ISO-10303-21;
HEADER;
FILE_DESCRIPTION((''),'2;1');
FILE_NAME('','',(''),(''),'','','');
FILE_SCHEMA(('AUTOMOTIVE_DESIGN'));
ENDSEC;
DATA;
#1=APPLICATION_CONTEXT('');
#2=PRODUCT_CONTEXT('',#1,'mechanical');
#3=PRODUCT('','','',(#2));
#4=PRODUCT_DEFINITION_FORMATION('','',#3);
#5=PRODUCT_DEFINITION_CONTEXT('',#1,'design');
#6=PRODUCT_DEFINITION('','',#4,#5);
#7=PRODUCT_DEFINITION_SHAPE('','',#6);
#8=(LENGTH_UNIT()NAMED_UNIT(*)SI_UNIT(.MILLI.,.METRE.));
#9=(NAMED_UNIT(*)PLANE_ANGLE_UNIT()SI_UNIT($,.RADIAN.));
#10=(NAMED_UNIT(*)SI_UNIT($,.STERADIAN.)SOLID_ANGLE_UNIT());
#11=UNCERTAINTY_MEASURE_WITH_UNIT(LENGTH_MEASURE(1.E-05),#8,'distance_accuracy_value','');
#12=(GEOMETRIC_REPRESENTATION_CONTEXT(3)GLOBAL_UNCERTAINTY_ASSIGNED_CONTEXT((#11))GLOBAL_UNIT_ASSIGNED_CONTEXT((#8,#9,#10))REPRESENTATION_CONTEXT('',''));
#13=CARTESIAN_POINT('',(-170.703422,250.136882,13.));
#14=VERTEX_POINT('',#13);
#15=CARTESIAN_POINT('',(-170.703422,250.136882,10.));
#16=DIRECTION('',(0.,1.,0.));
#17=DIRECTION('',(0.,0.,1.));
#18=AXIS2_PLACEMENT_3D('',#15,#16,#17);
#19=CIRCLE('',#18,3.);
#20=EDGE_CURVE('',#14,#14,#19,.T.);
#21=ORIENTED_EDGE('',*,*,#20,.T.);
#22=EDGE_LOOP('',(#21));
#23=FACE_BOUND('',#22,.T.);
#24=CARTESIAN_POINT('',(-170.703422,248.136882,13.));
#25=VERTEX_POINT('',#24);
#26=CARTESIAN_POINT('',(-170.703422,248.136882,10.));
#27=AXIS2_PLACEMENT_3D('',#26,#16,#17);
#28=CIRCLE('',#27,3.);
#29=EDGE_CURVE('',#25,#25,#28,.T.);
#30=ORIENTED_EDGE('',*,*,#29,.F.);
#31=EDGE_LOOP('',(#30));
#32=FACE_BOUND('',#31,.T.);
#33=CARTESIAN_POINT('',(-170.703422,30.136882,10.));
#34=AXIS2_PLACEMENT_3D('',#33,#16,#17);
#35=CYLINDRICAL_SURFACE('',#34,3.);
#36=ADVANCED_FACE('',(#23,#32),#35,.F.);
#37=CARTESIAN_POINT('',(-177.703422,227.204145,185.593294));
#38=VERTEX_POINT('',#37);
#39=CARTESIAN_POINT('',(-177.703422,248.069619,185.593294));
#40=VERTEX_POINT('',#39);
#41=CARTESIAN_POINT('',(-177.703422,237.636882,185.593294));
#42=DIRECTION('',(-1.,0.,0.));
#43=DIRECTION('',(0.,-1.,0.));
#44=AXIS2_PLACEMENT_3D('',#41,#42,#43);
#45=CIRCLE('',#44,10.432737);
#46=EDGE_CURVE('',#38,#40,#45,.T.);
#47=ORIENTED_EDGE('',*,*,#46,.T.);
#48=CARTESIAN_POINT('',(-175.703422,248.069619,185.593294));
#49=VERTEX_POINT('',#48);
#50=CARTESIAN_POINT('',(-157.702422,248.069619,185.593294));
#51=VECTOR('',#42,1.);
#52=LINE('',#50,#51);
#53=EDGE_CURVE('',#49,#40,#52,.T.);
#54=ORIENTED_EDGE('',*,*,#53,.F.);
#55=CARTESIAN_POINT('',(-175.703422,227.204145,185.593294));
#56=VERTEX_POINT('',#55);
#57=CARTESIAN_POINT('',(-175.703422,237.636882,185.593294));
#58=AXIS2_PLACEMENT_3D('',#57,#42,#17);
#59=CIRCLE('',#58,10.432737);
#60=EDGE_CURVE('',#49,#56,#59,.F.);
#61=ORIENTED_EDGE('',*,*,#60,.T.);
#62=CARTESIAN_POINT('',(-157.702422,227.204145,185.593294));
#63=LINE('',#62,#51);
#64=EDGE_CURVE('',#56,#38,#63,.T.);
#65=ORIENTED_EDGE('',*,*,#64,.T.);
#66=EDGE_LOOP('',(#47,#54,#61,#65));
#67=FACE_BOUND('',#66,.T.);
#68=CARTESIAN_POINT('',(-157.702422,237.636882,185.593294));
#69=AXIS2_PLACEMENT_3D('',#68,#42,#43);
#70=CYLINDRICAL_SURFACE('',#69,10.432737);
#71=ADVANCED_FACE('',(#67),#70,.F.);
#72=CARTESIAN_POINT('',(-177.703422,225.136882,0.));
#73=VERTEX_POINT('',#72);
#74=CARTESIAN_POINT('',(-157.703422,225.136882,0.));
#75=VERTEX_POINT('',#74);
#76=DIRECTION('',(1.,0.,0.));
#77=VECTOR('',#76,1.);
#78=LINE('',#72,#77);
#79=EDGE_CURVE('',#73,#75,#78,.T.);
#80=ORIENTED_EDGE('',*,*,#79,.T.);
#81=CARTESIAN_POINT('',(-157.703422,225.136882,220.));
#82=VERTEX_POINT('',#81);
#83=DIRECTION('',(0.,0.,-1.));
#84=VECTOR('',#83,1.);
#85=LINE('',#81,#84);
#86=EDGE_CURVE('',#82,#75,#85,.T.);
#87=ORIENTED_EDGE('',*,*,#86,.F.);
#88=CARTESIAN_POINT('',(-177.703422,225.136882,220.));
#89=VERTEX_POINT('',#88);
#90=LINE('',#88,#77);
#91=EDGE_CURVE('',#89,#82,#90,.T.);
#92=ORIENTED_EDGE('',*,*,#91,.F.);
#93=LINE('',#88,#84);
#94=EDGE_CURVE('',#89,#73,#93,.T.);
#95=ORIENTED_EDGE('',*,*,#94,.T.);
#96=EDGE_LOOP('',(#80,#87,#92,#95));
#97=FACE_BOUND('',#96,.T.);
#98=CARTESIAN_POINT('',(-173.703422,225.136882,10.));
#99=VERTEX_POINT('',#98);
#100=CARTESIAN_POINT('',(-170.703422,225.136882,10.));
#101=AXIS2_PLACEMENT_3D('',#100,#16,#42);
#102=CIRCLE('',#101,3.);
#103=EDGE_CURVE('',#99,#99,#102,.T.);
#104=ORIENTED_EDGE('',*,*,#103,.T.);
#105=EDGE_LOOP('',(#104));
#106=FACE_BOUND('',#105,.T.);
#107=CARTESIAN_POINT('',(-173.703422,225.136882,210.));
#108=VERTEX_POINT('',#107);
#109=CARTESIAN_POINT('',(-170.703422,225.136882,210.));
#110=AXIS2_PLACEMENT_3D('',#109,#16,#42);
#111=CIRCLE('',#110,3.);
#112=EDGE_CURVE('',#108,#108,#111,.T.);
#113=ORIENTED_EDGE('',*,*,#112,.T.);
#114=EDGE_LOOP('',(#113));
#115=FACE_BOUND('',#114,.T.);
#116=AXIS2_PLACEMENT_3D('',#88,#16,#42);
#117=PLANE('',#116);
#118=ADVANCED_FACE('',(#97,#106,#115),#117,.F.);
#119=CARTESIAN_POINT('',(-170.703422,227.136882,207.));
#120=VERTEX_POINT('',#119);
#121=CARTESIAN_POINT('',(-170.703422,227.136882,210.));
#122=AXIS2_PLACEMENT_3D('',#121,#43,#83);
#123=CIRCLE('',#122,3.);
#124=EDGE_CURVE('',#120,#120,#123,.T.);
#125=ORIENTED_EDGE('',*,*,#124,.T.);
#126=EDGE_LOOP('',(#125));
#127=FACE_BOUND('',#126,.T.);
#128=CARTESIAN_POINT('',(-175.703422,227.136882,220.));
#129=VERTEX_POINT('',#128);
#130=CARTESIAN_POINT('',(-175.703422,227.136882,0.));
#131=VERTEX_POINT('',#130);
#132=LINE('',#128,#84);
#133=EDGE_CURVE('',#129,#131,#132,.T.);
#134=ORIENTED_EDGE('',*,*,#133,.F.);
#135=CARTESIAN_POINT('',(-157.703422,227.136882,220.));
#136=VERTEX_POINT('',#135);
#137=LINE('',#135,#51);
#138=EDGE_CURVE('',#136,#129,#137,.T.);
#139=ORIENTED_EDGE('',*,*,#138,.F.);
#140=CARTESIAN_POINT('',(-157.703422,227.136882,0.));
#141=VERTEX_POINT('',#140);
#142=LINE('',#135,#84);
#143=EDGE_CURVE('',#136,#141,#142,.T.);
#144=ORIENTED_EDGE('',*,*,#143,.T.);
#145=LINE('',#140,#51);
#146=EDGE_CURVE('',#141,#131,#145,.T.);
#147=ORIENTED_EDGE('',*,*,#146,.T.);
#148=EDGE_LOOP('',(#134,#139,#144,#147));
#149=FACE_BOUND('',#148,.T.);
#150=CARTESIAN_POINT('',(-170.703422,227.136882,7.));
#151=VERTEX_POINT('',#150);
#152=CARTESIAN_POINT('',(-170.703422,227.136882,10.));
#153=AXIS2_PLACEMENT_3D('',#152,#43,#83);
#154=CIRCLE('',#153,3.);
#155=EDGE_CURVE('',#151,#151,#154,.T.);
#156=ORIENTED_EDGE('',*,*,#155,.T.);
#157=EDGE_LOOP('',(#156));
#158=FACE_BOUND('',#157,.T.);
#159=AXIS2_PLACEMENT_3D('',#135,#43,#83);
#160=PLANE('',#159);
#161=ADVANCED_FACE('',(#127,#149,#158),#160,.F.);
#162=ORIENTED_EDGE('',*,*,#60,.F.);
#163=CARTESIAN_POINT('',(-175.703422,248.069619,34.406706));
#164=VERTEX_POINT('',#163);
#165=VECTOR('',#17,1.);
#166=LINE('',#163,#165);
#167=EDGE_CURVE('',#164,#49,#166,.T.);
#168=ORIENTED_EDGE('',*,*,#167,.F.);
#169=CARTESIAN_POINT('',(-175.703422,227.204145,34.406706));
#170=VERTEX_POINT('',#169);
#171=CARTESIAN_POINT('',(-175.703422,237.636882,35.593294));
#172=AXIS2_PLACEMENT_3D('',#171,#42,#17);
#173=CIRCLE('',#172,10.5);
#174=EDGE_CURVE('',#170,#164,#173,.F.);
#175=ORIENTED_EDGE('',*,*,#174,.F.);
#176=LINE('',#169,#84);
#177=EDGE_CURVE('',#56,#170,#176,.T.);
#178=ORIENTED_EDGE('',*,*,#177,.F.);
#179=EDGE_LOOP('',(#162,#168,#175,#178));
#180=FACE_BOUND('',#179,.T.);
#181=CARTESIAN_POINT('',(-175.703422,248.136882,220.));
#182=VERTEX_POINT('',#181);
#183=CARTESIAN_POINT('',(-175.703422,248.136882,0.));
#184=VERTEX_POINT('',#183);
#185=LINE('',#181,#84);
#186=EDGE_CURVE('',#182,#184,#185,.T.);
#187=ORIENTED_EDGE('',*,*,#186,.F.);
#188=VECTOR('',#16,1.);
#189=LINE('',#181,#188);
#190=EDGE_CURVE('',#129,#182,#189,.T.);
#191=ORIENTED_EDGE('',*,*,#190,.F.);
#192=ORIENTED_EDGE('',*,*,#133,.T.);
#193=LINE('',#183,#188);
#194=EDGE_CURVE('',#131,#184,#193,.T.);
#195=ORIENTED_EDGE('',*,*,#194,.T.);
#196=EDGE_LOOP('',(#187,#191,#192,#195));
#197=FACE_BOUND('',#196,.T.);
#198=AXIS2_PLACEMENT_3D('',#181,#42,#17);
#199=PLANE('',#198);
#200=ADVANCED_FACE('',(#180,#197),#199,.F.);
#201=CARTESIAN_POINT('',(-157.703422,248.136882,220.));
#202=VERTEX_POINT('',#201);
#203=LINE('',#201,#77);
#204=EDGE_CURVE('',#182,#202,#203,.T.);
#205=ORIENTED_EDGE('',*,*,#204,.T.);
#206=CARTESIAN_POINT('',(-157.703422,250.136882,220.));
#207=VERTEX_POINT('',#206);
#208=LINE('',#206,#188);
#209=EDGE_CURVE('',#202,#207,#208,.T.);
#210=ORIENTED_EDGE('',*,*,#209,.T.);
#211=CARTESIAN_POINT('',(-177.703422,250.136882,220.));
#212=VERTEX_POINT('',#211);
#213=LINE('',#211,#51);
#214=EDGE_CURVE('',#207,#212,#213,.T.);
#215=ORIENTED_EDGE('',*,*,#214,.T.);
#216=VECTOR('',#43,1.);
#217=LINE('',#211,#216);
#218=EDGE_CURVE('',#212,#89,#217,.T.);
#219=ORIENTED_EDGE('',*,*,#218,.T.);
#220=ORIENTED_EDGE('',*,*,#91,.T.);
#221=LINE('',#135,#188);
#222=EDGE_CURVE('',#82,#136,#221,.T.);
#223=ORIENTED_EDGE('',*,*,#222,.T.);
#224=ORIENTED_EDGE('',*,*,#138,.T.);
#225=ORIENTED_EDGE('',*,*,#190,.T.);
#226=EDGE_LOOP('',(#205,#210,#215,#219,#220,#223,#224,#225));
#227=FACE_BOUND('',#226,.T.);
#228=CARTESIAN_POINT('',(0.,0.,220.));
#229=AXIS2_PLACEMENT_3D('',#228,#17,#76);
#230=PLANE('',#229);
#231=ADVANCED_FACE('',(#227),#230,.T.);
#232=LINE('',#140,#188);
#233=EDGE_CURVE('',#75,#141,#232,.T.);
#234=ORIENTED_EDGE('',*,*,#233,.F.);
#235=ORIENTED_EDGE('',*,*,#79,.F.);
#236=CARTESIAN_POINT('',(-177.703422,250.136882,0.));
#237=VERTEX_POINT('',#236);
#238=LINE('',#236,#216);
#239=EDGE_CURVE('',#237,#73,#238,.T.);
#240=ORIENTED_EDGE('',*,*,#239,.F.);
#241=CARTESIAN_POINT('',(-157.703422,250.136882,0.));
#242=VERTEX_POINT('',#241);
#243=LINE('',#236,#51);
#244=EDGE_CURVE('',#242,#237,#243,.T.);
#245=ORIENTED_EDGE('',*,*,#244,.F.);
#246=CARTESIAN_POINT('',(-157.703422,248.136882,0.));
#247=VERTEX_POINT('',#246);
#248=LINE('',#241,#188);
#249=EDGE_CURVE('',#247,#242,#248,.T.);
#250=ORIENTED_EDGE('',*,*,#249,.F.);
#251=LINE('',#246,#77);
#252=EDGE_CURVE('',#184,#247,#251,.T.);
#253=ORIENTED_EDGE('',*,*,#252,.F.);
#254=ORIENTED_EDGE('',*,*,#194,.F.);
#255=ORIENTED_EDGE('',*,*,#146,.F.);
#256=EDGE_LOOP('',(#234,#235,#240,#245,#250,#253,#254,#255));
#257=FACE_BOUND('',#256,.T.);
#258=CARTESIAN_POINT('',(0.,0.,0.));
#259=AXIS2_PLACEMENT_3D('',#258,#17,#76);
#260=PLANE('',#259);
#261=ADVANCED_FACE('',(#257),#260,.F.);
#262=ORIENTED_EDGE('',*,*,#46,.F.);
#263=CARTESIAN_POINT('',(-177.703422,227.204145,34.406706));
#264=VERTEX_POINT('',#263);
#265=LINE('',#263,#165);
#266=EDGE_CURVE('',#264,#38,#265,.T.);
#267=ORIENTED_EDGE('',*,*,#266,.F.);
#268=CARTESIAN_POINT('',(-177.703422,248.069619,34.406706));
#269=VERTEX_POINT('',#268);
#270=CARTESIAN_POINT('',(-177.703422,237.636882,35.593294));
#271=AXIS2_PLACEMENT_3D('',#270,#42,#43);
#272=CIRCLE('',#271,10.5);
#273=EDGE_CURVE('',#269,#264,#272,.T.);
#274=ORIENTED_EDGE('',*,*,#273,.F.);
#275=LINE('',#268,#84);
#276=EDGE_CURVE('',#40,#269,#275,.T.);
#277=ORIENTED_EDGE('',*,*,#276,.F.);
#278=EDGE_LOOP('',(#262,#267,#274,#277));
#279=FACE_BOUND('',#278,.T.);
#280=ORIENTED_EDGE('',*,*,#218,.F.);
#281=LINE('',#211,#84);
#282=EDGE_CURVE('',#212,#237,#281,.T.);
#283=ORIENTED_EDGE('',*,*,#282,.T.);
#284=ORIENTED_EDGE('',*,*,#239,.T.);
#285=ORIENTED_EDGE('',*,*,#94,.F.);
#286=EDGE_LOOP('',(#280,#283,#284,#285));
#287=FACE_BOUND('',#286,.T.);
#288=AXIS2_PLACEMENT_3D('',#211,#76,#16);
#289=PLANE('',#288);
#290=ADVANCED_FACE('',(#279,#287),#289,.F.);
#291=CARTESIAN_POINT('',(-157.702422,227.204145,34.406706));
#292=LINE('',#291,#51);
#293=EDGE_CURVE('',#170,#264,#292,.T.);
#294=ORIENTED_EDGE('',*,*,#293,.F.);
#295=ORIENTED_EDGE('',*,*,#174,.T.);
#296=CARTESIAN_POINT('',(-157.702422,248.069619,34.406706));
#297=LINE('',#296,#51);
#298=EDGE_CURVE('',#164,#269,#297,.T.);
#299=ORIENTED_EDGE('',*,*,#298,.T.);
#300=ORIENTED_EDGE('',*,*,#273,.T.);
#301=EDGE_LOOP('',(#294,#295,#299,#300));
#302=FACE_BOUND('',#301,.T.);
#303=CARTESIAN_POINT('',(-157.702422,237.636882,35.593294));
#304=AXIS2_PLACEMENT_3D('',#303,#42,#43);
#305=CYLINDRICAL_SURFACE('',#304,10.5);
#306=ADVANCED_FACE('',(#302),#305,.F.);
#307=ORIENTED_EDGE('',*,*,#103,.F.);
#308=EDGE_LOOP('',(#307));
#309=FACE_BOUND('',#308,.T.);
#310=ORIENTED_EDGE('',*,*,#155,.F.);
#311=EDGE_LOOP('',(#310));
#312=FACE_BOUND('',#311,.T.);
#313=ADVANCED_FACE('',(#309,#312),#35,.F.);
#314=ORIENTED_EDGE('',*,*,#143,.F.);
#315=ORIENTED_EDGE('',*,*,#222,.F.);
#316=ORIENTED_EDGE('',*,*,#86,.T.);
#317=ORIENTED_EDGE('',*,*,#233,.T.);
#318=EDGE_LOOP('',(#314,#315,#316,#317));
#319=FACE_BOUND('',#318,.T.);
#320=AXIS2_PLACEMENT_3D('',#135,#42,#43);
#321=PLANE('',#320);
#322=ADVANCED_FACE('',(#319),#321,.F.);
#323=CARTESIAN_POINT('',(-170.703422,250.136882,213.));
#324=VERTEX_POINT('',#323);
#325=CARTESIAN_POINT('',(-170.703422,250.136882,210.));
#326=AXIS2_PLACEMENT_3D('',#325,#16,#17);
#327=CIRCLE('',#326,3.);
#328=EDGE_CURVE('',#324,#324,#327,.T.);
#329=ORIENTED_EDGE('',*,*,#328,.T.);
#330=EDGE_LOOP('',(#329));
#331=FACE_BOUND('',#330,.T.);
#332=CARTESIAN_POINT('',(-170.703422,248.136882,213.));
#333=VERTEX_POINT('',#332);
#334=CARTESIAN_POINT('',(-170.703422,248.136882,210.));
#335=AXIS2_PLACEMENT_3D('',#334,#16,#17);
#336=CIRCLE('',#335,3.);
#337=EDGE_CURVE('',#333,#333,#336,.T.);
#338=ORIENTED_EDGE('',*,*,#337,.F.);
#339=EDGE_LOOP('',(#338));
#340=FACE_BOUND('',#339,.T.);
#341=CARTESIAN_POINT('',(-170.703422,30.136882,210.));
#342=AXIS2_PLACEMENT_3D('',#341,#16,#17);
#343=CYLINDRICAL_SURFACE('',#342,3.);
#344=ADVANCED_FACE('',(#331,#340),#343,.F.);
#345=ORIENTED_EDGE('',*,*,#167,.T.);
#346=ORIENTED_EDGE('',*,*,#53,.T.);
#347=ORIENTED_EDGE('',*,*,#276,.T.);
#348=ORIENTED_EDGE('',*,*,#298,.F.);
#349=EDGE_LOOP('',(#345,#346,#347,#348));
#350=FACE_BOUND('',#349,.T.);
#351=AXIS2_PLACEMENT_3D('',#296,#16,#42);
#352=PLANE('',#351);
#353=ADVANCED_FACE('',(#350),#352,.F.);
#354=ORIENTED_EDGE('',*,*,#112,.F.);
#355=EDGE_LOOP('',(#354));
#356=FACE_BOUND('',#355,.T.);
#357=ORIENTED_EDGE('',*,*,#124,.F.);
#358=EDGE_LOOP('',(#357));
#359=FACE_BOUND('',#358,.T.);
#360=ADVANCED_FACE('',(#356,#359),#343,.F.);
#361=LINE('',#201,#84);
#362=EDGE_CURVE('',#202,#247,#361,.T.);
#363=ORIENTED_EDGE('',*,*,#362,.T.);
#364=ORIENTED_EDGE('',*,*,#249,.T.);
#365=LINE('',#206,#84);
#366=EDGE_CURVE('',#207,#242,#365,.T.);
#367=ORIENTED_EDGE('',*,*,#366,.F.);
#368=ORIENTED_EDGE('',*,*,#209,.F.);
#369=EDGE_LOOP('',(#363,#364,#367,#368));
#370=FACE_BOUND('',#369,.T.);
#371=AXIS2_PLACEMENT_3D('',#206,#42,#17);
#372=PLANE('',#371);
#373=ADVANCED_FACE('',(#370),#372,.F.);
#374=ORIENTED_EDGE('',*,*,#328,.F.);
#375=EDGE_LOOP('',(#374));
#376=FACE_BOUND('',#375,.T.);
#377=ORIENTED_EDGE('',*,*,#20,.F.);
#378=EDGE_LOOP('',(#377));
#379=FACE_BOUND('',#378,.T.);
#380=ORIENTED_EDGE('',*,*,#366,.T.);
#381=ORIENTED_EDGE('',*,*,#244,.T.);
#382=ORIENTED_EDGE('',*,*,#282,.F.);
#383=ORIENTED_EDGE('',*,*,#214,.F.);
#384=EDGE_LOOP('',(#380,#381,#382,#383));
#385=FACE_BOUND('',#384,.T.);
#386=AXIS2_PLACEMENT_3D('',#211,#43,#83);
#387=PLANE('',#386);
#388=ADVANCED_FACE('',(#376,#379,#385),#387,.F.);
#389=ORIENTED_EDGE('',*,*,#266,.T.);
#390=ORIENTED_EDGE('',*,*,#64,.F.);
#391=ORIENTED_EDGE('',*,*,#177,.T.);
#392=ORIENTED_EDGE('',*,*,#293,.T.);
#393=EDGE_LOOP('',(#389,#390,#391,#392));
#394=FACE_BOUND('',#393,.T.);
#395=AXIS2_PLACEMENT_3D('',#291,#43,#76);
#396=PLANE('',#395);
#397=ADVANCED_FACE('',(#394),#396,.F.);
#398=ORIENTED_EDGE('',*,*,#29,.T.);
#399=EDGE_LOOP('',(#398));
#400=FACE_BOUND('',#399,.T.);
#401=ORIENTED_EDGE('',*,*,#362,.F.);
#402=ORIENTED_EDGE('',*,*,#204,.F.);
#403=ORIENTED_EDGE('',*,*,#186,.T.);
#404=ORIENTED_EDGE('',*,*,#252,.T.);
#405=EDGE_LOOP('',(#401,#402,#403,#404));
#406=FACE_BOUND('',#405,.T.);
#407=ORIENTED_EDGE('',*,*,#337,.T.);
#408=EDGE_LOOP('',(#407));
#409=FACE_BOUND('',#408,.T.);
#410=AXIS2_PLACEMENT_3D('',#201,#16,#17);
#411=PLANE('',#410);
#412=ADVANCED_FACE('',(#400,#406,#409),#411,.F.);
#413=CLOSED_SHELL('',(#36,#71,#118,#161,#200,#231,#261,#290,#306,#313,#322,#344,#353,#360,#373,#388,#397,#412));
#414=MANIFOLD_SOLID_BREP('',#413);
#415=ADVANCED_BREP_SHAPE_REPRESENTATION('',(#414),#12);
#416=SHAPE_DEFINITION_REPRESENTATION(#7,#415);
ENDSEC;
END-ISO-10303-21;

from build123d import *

# Parameters (mm, degrees)
BOSS_EXTRUDE1_DEPTH = 220
CUT_EXTRUDE1_REACH  = 22
SKETCH3_R           = 3
CUT_EXTRUDE2_DEPTH  = 220


with BuildPart() as part:
    # Sketch1 → Boss-Extrude1 (new body)
    with BuildSketch(Plane.XY):
        Polygon((-157.703422053, 227.136882129), (-157.703422053, 225.136882129), (-177.703422053, 225.136882129), (-177.703422053, 250.136882129), (-157.703422053, 250.136882129), (-157.703422053, 248.136882129), (-175.703422053, 248.136882129), (-175.703422053, 227.136882129), align=None)
    extrude(amount=BOSS_EXTRUDE1_DEPTH)

    # Sketch2 → Cut-Extrude1 (cut, up to next)
    with BuildSketch(Plane.ZY.offset(177.703422053), mode=Mode.PRIVATE) as cut_extrude1_sk1:
        with BuildLine():
            Line((34.406705906, 248.069619472), (185.593294094, 248.069619472))
            ThreePointArc((185.593294094, 248.069619472), (196.026031437, 237.636882129), (185.593294094, 227.204144786))
            Line((185.593294094, 227.204144786), (34.406705906, 227.204144786))
            ThreePointArc((34.406705906, 227.204144786), (25.093294094, 237.636882129), (34.406705906, 248.069619472))
        make_face()
    cut_extrude1_tool1 = extrude(cut_extrude1_sk1.sketch, amount=-CUT_EXTRUDE1_REACH, mode=Mode.PRIVATE) & part.part
    add(cut_extrude1_tool1.solids().sort_by_distance((-177.703422, 237.636882, 110.543615))[0], mode=Mode.SUBTRACT)

    # Sketch3 → Cut-Extrude2 (cut)
    with BuildSketch(Plane(origin=(0, 250.136882129, 0), x_dir=(1, 0, 0), z_dir=(0, 1, 0))):
        with Locations((-170.703422053, -210)):
            Circle(SKETCH3_R)
        with Locations((-170.703422053, -10)):
            Circle(SKETCH3_R)
    extrude(amount=-CUT_EXTRUDE2_DEPTH, mode=Mode.SUBTRACT)


solid = part.part
